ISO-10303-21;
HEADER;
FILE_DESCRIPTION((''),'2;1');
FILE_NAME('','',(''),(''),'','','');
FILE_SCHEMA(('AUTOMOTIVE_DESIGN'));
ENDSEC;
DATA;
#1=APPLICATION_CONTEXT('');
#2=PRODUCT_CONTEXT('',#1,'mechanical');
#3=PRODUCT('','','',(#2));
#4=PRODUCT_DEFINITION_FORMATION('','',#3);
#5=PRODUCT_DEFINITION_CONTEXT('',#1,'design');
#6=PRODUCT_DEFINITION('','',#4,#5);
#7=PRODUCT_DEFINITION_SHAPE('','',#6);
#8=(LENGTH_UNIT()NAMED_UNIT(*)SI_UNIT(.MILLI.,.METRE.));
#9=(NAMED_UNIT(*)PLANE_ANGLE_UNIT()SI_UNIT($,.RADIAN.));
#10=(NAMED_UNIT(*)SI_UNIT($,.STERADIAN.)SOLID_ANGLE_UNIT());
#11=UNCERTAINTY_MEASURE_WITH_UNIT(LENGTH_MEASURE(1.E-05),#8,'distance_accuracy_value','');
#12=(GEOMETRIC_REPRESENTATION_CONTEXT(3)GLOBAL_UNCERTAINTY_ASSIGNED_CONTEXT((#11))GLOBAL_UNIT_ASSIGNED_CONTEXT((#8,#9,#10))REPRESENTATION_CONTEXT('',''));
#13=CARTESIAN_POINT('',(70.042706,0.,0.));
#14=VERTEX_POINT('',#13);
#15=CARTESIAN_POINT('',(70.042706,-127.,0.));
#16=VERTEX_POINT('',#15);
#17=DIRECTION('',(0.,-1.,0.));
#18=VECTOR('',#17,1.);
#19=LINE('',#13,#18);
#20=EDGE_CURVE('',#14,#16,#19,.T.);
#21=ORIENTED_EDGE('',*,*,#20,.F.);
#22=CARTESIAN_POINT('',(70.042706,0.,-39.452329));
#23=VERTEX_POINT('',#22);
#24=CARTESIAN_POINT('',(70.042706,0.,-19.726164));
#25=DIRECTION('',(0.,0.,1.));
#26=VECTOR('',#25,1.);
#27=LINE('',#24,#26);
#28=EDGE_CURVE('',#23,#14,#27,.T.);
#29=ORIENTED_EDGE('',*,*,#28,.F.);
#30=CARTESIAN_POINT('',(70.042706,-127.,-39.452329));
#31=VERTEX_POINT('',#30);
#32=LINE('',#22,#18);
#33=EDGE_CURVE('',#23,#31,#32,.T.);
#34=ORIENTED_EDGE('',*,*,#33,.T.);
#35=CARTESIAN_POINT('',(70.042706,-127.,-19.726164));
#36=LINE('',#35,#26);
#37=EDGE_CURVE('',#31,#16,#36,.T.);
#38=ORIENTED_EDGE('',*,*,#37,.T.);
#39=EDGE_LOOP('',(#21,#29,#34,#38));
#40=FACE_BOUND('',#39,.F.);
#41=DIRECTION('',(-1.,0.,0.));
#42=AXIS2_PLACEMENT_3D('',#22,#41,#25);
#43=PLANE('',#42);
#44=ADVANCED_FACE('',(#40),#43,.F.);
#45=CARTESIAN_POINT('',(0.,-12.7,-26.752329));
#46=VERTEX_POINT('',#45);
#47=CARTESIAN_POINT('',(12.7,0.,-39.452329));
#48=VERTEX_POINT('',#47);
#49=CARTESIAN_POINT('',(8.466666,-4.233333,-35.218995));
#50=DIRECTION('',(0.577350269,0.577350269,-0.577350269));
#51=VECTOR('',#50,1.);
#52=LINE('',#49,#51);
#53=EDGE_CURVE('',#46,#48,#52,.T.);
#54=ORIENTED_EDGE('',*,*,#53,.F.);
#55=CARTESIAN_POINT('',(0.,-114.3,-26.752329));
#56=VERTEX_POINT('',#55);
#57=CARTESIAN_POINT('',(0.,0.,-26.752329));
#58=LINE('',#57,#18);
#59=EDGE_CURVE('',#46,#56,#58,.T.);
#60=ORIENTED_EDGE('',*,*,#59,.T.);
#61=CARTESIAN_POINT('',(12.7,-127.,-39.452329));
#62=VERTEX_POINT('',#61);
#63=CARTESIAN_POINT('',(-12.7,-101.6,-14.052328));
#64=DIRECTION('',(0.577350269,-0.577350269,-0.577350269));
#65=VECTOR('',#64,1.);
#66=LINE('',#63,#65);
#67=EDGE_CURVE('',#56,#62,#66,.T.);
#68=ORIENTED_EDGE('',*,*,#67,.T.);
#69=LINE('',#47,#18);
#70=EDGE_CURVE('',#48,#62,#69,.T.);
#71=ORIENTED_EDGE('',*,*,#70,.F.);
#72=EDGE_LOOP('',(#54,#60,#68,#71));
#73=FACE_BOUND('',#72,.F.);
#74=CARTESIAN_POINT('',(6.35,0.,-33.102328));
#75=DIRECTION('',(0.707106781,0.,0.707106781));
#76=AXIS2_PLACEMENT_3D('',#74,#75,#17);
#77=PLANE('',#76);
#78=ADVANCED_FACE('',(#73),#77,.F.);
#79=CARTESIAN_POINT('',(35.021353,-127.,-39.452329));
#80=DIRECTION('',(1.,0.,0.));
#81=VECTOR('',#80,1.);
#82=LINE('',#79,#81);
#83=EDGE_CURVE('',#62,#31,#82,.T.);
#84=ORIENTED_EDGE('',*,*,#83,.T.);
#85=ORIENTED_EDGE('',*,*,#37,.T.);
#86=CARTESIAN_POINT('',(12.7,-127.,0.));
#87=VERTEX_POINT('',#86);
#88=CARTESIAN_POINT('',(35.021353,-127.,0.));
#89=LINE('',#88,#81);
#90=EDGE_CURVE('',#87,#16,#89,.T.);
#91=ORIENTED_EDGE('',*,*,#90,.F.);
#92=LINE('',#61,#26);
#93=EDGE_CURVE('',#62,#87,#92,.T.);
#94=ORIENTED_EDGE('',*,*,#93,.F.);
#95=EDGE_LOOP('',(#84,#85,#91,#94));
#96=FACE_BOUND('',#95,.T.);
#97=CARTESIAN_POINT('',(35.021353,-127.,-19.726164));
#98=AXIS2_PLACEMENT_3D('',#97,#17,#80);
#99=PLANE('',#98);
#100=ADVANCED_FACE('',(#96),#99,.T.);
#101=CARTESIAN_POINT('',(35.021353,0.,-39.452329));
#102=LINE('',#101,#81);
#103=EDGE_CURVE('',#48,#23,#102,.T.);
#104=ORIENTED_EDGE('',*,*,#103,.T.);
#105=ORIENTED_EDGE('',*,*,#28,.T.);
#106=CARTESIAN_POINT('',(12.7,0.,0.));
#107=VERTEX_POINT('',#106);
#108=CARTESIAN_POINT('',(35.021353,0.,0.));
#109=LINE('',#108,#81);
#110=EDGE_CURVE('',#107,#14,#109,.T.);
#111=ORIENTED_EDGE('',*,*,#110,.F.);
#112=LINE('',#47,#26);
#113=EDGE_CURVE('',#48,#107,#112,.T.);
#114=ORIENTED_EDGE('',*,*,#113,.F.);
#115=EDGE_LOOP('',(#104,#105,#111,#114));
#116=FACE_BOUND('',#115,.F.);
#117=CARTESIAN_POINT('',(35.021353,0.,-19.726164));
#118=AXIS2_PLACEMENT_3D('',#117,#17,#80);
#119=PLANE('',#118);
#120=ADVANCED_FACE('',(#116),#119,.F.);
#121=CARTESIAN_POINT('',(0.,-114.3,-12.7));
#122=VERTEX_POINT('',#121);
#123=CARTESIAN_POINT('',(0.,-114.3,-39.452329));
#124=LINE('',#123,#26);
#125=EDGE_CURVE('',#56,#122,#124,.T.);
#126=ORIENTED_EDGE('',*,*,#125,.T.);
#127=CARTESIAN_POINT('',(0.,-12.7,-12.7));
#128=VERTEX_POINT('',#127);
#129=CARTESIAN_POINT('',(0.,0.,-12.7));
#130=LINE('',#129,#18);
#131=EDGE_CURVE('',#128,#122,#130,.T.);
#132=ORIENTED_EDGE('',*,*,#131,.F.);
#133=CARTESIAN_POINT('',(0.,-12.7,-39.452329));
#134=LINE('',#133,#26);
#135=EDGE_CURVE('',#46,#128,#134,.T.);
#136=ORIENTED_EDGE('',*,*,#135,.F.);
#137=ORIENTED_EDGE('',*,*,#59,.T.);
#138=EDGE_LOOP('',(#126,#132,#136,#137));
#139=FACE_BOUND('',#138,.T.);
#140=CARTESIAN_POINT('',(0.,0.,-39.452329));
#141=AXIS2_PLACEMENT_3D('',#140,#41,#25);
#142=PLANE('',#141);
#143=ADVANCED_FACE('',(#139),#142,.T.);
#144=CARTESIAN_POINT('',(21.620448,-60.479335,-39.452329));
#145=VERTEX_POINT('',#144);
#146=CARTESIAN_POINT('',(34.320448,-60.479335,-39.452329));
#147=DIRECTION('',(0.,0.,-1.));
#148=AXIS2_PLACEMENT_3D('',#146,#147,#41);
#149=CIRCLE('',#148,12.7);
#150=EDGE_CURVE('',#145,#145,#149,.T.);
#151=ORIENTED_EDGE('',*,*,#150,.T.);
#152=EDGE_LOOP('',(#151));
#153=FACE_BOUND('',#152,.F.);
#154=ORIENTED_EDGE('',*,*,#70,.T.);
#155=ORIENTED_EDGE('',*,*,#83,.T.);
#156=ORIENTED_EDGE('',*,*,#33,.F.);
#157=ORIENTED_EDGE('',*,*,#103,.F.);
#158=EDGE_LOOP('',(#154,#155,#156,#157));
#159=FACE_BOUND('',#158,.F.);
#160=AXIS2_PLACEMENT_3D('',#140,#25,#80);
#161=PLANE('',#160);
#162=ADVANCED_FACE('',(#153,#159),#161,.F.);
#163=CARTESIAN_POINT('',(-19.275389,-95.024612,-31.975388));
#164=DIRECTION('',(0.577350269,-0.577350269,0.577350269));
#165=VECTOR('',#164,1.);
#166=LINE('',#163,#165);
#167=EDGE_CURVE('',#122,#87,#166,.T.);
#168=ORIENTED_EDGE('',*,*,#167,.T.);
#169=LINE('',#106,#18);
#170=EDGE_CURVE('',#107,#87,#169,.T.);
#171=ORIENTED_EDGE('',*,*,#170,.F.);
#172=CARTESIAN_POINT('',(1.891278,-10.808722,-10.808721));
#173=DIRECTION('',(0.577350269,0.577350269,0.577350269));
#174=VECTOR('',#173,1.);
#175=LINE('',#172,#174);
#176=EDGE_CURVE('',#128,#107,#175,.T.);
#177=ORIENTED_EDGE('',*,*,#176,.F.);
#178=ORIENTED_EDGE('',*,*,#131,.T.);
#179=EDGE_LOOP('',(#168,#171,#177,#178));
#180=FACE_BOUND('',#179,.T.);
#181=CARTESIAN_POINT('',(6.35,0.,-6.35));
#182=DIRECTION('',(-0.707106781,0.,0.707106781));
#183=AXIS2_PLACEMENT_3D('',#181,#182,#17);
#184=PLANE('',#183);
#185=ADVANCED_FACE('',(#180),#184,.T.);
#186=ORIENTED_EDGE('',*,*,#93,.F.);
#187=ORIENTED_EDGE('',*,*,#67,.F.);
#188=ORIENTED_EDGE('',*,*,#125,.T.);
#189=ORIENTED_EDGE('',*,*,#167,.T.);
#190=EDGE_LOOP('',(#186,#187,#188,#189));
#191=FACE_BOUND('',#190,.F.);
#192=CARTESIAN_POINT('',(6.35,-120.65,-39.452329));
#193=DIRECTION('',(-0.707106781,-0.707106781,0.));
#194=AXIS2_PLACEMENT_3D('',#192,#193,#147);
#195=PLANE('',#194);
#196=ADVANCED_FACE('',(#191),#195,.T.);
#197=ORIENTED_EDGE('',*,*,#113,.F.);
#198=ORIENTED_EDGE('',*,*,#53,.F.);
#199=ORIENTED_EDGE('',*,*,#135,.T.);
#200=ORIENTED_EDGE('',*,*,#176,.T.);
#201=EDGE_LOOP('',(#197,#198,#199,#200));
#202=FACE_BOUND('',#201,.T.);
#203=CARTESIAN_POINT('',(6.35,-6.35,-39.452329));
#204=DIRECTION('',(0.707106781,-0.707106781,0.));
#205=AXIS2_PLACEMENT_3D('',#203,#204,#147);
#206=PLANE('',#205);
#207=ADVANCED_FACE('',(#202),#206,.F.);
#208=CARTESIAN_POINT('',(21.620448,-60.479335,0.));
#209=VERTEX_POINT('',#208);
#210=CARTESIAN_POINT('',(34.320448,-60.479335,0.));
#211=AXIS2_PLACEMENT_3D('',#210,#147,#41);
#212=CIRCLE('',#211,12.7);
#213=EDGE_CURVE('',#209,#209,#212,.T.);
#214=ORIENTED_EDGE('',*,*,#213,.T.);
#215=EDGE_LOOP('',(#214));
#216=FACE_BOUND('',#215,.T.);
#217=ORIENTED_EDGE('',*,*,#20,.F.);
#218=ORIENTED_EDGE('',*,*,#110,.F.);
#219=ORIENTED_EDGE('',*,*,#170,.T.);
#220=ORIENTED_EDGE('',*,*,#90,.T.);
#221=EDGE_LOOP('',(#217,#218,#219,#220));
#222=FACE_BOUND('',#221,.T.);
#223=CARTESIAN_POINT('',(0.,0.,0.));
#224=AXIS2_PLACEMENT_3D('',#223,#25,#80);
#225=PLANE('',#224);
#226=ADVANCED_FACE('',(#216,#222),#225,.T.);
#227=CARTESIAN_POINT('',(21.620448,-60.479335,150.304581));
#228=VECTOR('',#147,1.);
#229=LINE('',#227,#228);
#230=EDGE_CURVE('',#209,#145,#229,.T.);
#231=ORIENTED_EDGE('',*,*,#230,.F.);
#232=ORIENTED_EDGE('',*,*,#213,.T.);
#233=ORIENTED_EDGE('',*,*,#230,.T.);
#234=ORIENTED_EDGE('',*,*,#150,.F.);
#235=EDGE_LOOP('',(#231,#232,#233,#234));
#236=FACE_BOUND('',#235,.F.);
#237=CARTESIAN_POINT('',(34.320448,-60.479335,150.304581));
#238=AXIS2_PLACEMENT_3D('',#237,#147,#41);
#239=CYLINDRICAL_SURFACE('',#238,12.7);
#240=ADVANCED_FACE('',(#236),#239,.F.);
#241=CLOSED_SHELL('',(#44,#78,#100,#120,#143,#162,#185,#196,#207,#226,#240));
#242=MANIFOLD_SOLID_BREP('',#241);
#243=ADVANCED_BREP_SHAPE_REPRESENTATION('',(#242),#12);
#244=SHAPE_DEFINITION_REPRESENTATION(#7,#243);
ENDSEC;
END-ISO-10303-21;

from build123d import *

# Parameters (mm, degrees)
F0_W     = 70.042707
F0_H     = 39.452329
F1_DEPTH = 127
F3_D     = 25.4
F4_SIZE  = 12.7


with BuildPart() as f1:
    # F0 (on Front) → F1 (new body)
    with BuildSketch(Plane.XZ):
        with Locations((35.021353, -19.726164)):
            Rectangle(F0_W, F0_H)
    extrude(amount=F1_DEPTH)

    # F3 (through all)
    with Locations(Plane.XY):
        with Locations((34.320448, -60.479335)):
            Hole(F3_D / 2)

    # F4
    f4_edges = [f1.edges().sort_by_distance(p)[0] for p in [
        (0, -63.5, 0),
        (0, -63.5, -39.452329),
        (0, 0, -19.726165),
        (0, -127, -19.726165),
    ]]
    chamfer(f4_edges, length=F4_SIZE)


solid = f1.part
